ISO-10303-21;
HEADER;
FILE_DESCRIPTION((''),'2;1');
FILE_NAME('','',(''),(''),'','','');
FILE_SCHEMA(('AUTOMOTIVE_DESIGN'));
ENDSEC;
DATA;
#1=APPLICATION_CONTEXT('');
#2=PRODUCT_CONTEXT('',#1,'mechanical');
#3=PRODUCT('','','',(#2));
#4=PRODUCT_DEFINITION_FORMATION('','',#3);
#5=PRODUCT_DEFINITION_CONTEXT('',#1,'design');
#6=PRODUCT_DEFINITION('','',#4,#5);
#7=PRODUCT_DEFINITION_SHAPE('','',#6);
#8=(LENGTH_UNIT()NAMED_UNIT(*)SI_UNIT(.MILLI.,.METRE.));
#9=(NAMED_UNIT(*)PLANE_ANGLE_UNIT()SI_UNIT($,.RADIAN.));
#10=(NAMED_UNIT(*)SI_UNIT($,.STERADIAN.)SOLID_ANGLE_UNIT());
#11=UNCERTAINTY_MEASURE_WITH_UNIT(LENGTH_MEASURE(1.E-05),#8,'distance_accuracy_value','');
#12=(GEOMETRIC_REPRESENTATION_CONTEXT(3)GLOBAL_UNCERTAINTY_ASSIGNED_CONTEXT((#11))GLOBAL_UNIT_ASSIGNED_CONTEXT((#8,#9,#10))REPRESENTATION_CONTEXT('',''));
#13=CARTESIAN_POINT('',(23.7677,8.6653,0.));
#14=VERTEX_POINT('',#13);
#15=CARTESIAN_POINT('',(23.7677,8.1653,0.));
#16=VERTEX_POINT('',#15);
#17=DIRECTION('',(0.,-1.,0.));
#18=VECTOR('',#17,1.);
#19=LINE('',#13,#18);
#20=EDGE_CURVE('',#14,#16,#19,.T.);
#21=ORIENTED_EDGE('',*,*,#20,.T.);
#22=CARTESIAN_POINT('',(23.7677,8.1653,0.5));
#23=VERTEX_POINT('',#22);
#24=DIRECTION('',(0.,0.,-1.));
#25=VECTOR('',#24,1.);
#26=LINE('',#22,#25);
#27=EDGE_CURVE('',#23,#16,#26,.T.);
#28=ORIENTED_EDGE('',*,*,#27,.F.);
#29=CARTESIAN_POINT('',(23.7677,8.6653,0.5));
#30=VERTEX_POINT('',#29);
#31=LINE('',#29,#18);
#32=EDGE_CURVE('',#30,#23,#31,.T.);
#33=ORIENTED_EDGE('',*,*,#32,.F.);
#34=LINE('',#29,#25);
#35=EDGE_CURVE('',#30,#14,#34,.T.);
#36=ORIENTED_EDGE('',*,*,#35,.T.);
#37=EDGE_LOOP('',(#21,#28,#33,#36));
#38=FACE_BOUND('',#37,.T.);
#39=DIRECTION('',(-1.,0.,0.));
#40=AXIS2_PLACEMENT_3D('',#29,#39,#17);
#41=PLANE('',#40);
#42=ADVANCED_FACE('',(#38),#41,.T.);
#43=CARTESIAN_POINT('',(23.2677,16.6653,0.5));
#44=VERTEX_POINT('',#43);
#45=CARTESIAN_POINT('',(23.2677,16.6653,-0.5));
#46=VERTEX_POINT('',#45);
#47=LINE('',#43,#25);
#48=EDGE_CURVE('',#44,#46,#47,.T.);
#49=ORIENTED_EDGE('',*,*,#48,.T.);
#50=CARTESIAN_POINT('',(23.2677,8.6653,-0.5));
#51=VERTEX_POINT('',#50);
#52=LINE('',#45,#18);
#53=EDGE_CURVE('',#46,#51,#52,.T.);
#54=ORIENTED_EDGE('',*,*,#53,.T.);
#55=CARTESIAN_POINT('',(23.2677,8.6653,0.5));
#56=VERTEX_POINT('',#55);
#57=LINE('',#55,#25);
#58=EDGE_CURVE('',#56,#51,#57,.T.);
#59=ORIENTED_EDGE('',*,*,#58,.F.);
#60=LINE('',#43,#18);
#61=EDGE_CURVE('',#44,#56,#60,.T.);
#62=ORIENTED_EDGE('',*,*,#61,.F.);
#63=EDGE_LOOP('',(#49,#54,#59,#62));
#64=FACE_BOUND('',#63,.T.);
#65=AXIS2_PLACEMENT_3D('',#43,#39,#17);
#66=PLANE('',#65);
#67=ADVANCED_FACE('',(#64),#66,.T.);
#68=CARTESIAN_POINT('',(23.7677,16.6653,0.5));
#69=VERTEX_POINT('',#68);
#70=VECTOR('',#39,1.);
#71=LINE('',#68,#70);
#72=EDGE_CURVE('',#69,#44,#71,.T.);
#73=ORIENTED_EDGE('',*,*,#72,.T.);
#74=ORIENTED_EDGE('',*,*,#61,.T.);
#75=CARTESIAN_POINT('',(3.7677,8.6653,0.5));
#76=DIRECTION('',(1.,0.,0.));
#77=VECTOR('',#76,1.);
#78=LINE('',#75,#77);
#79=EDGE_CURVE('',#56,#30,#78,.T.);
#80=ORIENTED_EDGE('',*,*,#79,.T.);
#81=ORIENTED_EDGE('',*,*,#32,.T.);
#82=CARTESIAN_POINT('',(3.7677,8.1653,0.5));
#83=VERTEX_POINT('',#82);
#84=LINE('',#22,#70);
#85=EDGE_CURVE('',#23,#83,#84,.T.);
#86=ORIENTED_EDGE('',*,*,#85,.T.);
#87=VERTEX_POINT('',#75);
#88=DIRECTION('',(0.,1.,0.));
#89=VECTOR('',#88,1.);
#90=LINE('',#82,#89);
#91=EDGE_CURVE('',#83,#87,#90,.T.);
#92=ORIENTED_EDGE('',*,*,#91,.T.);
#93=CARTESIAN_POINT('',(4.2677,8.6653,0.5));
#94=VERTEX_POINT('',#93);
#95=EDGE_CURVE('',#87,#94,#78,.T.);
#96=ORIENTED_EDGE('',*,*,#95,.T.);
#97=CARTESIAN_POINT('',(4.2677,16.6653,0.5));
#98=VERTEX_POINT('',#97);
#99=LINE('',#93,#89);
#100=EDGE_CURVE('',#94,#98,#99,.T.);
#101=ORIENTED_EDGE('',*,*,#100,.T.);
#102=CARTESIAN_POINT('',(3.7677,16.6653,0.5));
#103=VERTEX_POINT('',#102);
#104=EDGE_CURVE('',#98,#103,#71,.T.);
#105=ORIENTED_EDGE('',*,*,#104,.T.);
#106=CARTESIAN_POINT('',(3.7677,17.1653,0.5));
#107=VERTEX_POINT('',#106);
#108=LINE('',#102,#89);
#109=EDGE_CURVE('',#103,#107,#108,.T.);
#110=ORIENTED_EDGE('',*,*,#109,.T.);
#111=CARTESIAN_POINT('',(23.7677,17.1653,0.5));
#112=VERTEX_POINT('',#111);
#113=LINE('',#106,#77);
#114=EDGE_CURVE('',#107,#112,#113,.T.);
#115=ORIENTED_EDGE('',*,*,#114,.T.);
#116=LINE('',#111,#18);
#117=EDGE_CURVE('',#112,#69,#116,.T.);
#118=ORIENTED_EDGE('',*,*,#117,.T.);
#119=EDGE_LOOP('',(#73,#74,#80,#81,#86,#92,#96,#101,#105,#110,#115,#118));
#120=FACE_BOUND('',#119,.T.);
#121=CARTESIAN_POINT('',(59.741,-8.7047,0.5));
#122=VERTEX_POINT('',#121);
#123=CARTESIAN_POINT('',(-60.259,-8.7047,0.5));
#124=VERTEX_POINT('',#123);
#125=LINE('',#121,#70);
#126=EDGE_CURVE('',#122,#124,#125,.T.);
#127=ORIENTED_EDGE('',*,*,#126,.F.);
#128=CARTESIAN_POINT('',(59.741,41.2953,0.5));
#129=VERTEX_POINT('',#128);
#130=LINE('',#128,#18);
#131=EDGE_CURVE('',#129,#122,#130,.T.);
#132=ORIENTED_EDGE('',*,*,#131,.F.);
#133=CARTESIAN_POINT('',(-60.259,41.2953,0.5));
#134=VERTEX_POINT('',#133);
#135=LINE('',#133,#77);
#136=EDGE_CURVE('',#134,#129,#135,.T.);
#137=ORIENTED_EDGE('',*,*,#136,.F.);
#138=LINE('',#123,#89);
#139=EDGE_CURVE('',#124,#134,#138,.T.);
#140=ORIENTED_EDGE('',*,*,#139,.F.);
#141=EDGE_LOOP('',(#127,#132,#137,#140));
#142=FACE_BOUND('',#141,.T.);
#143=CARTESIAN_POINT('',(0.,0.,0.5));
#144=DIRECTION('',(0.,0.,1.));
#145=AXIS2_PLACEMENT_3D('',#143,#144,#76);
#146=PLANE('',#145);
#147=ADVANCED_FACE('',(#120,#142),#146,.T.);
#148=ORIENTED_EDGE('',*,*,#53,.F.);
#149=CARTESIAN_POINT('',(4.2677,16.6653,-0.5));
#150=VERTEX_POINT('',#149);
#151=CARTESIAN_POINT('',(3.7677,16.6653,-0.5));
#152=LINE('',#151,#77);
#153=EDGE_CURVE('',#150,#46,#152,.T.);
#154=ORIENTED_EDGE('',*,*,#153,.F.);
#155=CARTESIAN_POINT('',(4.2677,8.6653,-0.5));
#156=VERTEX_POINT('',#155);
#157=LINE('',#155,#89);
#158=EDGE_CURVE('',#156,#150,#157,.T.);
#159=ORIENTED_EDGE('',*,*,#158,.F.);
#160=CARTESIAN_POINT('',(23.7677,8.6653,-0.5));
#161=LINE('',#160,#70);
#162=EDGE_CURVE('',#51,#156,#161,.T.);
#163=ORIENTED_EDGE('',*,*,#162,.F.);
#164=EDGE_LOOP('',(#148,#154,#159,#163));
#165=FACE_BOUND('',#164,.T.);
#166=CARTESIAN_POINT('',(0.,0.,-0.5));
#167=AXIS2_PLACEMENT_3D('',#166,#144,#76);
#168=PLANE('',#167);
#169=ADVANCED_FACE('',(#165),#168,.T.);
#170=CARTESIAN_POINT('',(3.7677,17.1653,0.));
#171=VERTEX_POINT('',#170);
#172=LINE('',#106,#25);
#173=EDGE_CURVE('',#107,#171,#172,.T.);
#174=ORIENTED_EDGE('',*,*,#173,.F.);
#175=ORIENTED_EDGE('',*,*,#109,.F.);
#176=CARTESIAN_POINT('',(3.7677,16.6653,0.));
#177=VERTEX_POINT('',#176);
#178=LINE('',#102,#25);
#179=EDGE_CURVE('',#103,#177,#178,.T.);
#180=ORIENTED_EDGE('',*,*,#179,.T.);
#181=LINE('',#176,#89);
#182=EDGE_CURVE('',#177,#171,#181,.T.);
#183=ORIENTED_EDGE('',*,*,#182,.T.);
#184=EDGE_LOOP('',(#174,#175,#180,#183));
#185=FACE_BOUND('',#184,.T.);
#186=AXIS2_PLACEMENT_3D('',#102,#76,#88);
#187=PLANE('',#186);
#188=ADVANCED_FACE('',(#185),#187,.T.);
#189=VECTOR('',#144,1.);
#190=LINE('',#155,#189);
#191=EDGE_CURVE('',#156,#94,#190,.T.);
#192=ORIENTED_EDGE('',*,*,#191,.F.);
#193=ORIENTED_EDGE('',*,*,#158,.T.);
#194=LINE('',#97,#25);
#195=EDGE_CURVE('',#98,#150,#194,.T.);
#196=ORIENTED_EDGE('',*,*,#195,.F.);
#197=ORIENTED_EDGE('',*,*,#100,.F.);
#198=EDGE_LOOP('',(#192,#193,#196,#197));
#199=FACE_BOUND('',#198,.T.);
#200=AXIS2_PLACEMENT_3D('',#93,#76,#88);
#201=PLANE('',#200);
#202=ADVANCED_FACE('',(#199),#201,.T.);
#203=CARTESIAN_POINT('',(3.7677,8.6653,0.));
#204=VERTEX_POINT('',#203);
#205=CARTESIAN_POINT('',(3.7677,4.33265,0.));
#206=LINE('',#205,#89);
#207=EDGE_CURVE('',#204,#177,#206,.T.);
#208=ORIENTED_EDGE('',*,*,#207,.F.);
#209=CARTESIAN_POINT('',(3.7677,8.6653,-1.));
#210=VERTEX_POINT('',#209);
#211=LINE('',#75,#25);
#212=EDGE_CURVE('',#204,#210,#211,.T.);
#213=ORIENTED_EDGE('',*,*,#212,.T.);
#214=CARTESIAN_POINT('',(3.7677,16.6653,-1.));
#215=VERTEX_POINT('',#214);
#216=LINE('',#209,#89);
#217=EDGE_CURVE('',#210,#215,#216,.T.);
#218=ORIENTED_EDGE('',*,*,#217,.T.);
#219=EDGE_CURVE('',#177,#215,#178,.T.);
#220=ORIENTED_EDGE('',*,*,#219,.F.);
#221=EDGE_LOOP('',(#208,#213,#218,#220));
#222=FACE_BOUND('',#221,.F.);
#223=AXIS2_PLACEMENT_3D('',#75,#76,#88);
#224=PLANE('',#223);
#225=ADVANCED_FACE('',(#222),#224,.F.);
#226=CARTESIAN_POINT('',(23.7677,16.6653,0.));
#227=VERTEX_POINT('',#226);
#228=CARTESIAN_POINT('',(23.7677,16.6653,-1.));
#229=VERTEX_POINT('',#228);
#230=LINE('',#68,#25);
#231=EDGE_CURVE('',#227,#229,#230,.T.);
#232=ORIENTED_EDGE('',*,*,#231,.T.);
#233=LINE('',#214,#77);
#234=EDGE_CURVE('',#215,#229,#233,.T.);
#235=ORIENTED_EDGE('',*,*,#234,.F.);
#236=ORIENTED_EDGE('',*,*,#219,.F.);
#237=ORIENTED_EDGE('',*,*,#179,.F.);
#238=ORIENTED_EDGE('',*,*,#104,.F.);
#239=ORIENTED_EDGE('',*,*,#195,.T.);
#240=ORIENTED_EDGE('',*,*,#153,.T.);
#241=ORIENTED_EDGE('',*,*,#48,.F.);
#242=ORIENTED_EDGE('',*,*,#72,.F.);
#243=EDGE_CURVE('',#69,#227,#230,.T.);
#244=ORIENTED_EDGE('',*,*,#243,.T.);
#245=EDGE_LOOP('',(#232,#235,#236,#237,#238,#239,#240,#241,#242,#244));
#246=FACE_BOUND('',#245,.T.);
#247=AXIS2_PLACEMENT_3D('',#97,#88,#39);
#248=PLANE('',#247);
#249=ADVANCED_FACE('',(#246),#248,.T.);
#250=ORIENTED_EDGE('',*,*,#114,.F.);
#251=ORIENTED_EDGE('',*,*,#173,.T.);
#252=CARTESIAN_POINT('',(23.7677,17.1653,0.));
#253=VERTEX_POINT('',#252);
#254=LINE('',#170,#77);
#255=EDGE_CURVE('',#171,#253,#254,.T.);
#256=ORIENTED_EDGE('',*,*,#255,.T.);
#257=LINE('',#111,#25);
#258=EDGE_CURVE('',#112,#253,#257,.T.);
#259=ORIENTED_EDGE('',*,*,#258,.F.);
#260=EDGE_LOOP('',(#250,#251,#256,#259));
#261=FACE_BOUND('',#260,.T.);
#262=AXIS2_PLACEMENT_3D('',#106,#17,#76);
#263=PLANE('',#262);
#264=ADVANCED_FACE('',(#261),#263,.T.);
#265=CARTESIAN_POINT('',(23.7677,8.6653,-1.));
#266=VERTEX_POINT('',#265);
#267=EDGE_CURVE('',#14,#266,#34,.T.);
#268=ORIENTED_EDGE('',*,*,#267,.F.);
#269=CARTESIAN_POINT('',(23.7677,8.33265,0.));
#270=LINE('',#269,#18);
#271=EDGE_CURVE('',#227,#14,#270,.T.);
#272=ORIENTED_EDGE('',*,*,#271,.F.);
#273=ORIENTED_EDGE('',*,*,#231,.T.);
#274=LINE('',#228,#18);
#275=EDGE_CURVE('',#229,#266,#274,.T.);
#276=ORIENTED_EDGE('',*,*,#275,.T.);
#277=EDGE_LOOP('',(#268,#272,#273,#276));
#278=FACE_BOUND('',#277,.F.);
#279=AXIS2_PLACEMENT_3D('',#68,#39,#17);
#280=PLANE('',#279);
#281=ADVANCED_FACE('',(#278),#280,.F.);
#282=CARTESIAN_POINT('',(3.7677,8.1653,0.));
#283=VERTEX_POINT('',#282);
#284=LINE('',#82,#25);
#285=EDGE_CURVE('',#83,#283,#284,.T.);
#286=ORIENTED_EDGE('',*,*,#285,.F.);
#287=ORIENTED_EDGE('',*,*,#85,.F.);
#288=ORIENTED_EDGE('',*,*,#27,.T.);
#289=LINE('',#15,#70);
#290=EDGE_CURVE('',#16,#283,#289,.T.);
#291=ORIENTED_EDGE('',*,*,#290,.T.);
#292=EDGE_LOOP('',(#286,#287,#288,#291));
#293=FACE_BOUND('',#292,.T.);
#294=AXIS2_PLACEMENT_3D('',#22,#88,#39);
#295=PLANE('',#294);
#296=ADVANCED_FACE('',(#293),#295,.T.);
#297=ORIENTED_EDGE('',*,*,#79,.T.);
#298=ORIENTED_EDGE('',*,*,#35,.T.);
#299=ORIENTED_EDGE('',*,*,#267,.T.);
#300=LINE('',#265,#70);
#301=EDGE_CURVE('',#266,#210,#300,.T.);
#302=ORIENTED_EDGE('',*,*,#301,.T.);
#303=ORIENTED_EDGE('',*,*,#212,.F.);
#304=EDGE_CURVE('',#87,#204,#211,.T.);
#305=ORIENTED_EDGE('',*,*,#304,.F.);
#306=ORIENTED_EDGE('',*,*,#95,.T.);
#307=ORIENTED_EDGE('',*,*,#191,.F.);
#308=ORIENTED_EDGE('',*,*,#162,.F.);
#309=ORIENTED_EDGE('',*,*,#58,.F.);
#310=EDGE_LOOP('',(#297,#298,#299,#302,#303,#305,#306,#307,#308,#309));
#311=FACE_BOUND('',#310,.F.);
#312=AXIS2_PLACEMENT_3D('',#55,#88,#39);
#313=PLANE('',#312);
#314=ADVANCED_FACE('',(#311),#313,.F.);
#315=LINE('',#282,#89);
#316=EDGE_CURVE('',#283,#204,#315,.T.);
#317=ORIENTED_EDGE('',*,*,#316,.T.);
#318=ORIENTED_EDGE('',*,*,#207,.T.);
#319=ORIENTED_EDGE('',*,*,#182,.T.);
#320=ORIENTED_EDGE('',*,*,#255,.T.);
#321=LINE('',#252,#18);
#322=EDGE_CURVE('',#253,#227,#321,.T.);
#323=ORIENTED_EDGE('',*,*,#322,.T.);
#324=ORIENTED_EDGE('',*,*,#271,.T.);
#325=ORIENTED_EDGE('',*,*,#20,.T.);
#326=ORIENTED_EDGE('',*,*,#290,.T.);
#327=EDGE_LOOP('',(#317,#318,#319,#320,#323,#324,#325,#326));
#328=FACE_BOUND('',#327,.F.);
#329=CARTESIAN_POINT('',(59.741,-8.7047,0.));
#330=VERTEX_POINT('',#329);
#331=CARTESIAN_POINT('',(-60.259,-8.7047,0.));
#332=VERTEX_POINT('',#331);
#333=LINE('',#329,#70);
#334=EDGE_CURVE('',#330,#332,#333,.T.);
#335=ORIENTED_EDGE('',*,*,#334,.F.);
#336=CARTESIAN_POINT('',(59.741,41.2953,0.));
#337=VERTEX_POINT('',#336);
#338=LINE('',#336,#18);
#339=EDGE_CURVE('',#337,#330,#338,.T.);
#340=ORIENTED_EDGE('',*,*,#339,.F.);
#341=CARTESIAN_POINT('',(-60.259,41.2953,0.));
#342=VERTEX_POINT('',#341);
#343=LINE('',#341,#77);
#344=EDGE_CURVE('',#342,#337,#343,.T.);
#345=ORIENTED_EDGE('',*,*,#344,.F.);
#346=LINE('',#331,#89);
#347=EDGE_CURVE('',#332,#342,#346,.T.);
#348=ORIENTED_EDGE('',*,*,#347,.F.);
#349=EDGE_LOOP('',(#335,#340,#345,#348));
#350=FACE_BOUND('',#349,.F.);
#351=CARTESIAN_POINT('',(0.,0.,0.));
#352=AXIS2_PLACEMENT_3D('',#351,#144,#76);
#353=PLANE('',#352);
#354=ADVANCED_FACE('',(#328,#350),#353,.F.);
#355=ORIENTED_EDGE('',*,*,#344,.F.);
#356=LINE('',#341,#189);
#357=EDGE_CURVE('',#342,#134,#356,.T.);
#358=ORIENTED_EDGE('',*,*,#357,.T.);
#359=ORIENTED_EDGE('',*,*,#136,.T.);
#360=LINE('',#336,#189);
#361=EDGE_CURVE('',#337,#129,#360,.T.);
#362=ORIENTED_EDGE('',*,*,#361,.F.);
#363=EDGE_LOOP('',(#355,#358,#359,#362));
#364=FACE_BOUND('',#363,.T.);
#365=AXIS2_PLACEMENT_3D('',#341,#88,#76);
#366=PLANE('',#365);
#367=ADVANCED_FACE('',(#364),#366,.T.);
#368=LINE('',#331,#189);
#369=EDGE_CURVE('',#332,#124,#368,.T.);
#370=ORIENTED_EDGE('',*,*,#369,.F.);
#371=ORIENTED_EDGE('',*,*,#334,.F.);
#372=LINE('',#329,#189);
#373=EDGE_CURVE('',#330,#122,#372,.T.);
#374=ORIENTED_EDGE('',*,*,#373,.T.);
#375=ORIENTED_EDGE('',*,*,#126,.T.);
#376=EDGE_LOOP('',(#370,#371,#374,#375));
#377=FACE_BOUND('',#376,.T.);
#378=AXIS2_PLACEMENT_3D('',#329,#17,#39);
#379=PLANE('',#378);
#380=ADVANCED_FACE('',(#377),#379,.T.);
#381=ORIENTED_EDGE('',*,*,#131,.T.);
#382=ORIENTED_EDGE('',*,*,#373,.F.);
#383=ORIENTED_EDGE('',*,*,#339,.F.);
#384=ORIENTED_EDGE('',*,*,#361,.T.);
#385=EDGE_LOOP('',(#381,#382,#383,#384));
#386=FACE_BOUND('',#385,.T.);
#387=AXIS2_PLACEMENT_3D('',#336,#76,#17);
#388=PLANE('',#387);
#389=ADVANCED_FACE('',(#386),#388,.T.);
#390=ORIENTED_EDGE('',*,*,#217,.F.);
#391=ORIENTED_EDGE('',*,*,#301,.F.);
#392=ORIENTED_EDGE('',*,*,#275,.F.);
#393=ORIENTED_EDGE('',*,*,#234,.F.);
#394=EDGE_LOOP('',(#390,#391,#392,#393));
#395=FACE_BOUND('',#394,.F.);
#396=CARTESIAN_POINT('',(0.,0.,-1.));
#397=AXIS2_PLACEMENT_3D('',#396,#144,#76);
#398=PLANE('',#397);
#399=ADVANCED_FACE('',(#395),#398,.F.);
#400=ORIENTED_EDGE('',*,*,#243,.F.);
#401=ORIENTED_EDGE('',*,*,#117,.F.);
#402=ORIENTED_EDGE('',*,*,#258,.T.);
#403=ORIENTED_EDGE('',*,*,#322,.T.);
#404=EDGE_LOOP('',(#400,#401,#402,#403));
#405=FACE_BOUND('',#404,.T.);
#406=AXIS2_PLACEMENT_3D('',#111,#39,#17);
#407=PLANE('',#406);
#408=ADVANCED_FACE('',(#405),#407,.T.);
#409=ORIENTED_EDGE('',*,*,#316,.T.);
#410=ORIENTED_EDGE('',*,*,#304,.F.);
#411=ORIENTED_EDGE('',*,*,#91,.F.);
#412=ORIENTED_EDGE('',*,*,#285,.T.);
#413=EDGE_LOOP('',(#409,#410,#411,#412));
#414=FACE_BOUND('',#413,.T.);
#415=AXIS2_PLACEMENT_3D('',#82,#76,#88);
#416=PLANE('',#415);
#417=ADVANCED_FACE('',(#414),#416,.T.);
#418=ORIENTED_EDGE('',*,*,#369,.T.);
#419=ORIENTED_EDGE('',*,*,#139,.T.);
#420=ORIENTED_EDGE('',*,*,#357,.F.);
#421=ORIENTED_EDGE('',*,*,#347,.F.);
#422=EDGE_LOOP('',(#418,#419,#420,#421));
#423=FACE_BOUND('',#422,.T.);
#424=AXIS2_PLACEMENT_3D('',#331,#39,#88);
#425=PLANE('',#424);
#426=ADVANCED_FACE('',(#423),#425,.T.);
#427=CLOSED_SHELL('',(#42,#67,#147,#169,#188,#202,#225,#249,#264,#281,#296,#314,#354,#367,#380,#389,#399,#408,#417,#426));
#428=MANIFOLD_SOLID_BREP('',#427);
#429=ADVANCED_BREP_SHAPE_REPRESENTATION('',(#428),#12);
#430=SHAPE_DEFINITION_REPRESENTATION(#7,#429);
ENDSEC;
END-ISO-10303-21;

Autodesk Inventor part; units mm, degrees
ref_plane "YZ Plane" through (0, 0, 0) normal (1, 0, 0) x (0, 1, 0)
ref_plane "XZ Plane" through (0, 0, 0) normal (0, 1, 0) x (-1, 0, 0)
ref_plane "XY Plane" through (0, 0, 0) normal (0, 0, 1) x (1, 0, 0)
sketch "Sketch1" plane through (0, 0, 0) normal (0, 0, 1) x (1, 0, 0)
  line L0 (-60.259, 41.2953) -> (59.741, 41.2953)
  line L1 (59.741, 41.2953) -> (59.741, -8.7047)
  line L2 (59.741, -8.7047) -> (-60.259, -8.7047)
  line L3 (-60.259, -8.7047) -> (-60.259, 41.2953)
  dimension "d0" = 120
  dimension "d1" = 50
extrude "Plate1" add sketch "Sketch1" along normal blind 0.5
sketch "Sketch2" plane through (0, 0, 0.5) normal (0, 0, 1) x (1, 0, 0)
  line L0 (3.7677, 16.6653) -> (23.7677, 16.6653)
  line L1 (23.7677, 16.6653) -> (23.7677, 8.6653)
  line L2 (23.7677, 8.6653) -> (3.7677, 8.6653)
  line L3 (3.7677, 8.6653) -> (3.7677, 16.6653)
  point P0 (13.7677, 12.6653)
  point P1 (13.7677, 12.6653)
  dimension "LG_G" = 20
  dimension "LT_G" = 8
  dimension "d5" = 10
  dimension "d6" = 4
extrude "Extrusion1" add sketch "Sketch2" against normal blind 1.5
sketch "Sketch3" plane through (0, 0, 0.5) normal (0, 0, 1) x (1, 0, 0)
  line L0 (3.7677, 16.6653) -> (23.7677, 16.6653) projected
  line L1 (3.7677, 8.6653) -> (3.7677, 16.6653) projected
  line L2 (23.7677, 8.6653) -> (3.7677, 8.6653) projected
  line L3 (23.7677, 16.6653) -> (23.7677, 8.6653) projected
  line L4 (4.2677, 16.6653) -> (23.2677, 16.6653)
  line L5 (23.2677, 16.6653) -> (23.2677, 8.6653)
  line L6 (23.2677, 8.6653) -> (4.2677, 8.6653)
  line L7 (4.2677, 8.6653) -> (4.2677, 16.6653)
  dimension "d9" = 0.5
  dimension "d10" = 0.5
extrude "Extrusion2" cut sketch "Sketch3" against normal blind 1 contours L0 L5 L2 L7
sketch "Sketch4" plane through (0, 0, 0.5) normal (0, 0, 1) x (1, 0, 0)
  line L0 (4.2677, 16.6653) -> (23.2677, 16.6653) projected
  line L1 (23.2677, 8.6653) -> (4.2677, 8.6653) projected
  line L2 (4.2677, 16.6653) -> (23.2677, 16.6653) projected
  line L3 (4.2677, 8.6653) -> (4.2677, 16.6653) projected
  line L4 (23.2677, 8.6653) -> (4.2677, 8.6653) projected
  line L5 (23.2677, 16.6653) -> (23.2677, 8.6653) projected
  line L6 (3.7677, 17.1653) -> (23.7677, 17.1653)
  line L7 (23.7677, 17.1653) -> (23.7677, 16.6653)
  line L8 (23.7677, 16.6653) -> (3.7677, 16.6653)
  line L9 (3.7677, 16.6653) -> (3.7677, 17.1653)
  line L10 (3.7677, 8.6653) -> (23.7677, 8.6653)
  line L11 (23.7677, 8.6653) -> (23.7677, 8.1653)
  line L12 (23.7677, 8.1653) -> (3.7677, 8.1653)
  line L13 (3.7677, 8.1653) -> (3.7677, 8.6653)
  dimension "d13" = 0.5
  dimension "d14" = 0.5
  dimension "d15" = 0.5
  dimension "d16" = 0.5
extrude "Cut1" cut sketch "Sketch4" against normal blind 0.5 contours L8 L9 L6 L7 L0 | L1 L10 L11 L12 L13
equation "\"d5\" = 0.5 * LG_G"
equation "\"d6\" = 0.5 * LT_G"
equation "\"d7\" = 3 * Thickness"
equation "\"d9\" = Thickness"
equation "\"d10\" = Thickness"
equation "\"d11\" = 2 * Thickness"
equation "\"d13\" = Thickness"
equation "\"d14\" = Thickness"
equation "\"d15\" = Thickness"
equation "\"d16\" = Thickness"
equation "\"d17\" = Thickness"
equation "\"d2\" = Thickness"
equation "\"BendRadius\" = Thickness"
equation "\"BendReliefWidth\" = Thickness"
equation "\"BendReliefDepth\" = 0.5 * Thickness"
equation "\"CornerReliefSize\" = 4 * Thickness"
equation "\"MinimumRemnant\" = 2 * Thickness"
equation "\"TransitionRadius\" = BendRadius"
equation "\"JacobiRadiusSize\" = BendRadius"
equation "\"GapSize\" = Thickness"
equation "\"Thickness\" = 0.5"
properties part number "Ambutisare1"
